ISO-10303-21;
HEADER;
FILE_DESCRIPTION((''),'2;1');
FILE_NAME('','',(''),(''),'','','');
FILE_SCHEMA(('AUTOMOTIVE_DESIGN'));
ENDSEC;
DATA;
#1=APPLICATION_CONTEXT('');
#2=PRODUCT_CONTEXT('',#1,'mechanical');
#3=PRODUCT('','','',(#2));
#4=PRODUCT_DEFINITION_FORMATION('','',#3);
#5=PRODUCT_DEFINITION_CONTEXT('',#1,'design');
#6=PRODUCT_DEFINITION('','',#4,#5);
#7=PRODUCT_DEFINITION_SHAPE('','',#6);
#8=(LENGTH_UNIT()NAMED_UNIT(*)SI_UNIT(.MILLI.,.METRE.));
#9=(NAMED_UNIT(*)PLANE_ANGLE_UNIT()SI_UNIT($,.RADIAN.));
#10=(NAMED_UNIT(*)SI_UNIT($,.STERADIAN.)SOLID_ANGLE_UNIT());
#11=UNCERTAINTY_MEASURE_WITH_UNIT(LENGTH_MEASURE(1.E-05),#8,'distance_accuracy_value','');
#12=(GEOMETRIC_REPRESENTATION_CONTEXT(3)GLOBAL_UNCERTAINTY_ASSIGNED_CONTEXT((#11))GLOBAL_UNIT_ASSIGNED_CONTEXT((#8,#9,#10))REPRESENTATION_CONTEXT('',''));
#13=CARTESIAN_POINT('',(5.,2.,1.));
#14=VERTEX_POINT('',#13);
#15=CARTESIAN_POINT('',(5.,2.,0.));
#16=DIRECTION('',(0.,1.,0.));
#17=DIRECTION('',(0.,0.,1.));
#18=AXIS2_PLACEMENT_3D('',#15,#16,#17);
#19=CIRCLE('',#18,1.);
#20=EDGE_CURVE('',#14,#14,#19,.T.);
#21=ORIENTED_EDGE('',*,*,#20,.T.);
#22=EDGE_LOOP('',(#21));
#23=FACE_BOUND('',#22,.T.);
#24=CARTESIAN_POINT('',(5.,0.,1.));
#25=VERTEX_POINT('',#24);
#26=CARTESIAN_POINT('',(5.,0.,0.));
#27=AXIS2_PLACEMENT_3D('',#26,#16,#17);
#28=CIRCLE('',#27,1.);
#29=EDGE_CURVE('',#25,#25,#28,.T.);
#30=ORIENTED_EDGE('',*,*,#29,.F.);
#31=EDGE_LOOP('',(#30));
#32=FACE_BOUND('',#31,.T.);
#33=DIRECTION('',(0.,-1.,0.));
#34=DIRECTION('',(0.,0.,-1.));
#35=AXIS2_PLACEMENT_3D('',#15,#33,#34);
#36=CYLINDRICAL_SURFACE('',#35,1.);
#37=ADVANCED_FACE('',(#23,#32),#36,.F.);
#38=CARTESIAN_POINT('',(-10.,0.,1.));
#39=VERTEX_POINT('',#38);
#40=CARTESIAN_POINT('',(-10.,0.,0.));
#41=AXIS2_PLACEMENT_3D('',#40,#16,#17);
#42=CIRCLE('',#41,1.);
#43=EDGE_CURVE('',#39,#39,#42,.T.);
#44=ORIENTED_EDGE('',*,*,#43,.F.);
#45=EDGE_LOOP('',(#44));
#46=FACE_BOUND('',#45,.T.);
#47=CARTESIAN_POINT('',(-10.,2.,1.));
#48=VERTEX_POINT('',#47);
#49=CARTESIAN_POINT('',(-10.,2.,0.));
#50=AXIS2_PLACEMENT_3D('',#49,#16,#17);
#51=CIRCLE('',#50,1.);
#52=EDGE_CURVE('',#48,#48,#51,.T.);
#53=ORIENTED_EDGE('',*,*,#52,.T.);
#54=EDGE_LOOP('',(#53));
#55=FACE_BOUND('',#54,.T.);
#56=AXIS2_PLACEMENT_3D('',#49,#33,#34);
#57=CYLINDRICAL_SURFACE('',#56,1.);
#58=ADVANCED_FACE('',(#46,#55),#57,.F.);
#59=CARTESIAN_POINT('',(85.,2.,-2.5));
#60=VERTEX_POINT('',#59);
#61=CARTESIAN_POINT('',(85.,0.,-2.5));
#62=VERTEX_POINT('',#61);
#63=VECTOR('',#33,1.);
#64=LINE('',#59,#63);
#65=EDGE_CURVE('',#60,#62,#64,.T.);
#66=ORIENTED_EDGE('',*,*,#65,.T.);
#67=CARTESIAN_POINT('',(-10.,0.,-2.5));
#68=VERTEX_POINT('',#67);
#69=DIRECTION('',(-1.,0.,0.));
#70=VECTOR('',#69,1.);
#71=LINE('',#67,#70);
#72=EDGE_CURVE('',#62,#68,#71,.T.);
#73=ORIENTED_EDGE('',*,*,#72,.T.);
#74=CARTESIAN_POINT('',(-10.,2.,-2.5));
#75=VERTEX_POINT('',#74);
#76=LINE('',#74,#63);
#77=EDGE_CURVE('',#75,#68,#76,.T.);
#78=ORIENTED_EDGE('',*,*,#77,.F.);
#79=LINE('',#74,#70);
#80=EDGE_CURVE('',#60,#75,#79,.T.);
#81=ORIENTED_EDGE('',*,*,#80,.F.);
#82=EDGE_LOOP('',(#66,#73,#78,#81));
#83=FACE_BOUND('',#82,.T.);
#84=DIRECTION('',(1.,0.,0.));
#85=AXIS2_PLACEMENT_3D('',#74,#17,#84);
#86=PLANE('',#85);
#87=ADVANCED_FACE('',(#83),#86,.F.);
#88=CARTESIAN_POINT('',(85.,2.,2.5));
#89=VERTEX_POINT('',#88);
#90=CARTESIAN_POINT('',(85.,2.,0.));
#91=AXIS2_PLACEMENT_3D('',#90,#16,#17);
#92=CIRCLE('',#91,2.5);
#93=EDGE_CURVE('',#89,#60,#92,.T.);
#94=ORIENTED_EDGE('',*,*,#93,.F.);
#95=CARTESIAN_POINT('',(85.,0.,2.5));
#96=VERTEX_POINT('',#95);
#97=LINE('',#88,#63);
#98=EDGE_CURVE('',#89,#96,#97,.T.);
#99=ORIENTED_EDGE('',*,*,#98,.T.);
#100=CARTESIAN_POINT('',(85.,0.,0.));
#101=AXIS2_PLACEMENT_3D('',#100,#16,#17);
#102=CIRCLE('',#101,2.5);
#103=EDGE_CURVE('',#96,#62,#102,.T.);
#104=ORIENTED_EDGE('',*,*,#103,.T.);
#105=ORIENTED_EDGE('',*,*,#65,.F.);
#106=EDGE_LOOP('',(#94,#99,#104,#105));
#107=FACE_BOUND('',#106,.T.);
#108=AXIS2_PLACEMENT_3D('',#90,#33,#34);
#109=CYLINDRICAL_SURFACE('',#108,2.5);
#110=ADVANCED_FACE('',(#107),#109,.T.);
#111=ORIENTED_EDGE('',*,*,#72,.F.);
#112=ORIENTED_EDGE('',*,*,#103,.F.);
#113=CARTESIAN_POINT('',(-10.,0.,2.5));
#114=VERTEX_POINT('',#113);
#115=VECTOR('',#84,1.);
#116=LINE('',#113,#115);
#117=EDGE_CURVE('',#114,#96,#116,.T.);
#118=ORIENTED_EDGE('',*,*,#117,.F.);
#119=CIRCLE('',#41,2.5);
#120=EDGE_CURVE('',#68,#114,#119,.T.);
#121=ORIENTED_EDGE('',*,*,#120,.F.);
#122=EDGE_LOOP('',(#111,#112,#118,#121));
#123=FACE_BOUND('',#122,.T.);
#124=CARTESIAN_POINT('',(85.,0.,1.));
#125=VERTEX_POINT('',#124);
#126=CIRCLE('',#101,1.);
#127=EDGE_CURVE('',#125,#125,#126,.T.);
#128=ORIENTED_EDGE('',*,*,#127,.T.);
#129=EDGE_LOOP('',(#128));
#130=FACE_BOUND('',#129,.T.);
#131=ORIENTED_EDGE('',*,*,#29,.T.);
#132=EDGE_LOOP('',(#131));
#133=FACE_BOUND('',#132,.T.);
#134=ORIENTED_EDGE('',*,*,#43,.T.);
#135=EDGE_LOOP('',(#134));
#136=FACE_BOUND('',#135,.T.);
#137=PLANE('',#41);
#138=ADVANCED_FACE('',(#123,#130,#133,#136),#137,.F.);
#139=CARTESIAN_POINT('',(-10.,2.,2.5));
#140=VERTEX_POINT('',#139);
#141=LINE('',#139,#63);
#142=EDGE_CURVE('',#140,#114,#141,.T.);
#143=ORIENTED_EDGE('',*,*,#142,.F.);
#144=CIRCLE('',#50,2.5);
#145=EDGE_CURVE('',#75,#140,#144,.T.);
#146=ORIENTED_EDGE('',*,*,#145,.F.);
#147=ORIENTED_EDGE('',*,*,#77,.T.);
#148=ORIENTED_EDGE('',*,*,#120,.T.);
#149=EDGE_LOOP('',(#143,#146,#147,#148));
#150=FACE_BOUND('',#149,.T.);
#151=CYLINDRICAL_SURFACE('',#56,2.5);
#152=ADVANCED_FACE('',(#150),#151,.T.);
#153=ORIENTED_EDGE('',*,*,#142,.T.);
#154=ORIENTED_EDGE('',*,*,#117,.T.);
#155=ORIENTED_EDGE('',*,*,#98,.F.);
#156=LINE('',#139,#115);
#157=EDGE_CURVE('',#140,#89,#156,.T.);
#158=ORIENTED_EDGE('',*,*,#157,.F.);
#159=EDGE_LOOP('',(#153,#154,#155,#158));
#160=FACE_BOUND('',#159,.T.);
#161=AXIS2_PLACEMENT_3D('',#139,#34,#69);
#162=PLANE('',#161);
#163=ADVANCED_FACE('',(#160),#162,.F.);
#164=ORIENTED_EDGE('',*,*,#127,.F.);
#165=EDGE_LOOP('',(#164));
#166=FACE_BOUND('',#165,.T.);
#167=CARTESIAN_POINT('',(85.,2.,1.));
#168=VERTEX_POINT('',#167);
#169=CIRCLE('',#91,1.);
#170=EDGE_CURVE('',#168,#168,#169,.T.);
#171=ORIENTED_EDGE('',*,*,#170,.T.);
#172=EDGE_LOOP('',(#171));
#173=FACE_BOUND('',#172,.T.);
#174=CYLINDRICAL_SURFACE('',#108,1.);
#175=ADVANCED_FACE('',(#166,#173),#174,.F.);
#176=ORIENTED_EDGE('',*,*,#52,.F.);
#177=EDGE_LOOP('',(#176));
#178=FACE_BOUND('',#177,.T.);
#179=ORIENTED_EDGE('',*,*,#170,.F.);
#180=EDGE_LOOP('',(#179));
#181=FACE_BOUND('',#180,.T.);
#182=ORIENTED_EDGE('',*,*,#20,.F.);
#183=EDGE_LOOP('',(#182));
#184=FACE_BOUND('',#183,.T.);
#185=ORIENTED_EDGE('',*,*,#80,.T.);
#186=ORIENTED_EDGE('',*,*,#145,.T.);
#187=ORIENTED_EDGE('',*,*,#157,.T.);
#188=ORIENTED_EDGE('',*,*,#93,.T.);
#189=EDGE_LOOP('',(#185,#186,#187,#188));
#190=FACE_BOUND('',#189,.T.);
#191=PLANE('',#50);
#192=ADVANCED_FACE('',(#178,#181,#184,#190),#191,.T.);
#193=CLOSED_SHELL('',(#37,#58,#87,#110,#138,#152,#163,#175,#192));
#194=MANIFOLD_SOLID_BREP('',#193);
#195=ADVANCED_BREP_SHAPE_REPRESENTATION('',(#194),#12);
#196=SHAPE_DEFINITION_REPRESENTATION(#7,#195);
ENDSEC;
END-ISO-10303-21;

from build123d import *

# Parameters (mm, degrees)
SKETCH1_R           = 1
BOSS_EXTRUDE1_DEPTH = 2


with BuildPart() as part:
    # Sketch1 → Boss-Extrude1 (new body)
    with BuildSketch(Plane(origin=(0, 0, 0), x_dir=(1, 0, 0), z_dir=(0, 1, 0))):
        with BuildLine():
            Line((-10, 2.5), (85, 2.5))
            ThreePointArc((85, 2.5), (87.5, 0), (85, -2.5))
            Line((85, -2.5), (-10, -2.5))
            ThreePointArc((-10, -2.5), (-12.5, 0), (-10, 2.5))
        make_face()
        with Locations(Location((85, 0, 0), (0, 0, 270))):
            Circle(SKETCH1_R, mode=Mode.SUBTRACT)
        with Locations(Location((-10, 0, 0), (0, 0, 270))):
            Circle(SKETCH1_R, mode=Mode.SUBTRACT)
        with Locations(Location((5, 0, 0), (0, 0, 270))):
            Circle(SKETCH1_R, mode=Mode.SUBTRACT)
    extrude(amount=BOSS_EXTRUDE1_DEPTH)


solid = part.part
